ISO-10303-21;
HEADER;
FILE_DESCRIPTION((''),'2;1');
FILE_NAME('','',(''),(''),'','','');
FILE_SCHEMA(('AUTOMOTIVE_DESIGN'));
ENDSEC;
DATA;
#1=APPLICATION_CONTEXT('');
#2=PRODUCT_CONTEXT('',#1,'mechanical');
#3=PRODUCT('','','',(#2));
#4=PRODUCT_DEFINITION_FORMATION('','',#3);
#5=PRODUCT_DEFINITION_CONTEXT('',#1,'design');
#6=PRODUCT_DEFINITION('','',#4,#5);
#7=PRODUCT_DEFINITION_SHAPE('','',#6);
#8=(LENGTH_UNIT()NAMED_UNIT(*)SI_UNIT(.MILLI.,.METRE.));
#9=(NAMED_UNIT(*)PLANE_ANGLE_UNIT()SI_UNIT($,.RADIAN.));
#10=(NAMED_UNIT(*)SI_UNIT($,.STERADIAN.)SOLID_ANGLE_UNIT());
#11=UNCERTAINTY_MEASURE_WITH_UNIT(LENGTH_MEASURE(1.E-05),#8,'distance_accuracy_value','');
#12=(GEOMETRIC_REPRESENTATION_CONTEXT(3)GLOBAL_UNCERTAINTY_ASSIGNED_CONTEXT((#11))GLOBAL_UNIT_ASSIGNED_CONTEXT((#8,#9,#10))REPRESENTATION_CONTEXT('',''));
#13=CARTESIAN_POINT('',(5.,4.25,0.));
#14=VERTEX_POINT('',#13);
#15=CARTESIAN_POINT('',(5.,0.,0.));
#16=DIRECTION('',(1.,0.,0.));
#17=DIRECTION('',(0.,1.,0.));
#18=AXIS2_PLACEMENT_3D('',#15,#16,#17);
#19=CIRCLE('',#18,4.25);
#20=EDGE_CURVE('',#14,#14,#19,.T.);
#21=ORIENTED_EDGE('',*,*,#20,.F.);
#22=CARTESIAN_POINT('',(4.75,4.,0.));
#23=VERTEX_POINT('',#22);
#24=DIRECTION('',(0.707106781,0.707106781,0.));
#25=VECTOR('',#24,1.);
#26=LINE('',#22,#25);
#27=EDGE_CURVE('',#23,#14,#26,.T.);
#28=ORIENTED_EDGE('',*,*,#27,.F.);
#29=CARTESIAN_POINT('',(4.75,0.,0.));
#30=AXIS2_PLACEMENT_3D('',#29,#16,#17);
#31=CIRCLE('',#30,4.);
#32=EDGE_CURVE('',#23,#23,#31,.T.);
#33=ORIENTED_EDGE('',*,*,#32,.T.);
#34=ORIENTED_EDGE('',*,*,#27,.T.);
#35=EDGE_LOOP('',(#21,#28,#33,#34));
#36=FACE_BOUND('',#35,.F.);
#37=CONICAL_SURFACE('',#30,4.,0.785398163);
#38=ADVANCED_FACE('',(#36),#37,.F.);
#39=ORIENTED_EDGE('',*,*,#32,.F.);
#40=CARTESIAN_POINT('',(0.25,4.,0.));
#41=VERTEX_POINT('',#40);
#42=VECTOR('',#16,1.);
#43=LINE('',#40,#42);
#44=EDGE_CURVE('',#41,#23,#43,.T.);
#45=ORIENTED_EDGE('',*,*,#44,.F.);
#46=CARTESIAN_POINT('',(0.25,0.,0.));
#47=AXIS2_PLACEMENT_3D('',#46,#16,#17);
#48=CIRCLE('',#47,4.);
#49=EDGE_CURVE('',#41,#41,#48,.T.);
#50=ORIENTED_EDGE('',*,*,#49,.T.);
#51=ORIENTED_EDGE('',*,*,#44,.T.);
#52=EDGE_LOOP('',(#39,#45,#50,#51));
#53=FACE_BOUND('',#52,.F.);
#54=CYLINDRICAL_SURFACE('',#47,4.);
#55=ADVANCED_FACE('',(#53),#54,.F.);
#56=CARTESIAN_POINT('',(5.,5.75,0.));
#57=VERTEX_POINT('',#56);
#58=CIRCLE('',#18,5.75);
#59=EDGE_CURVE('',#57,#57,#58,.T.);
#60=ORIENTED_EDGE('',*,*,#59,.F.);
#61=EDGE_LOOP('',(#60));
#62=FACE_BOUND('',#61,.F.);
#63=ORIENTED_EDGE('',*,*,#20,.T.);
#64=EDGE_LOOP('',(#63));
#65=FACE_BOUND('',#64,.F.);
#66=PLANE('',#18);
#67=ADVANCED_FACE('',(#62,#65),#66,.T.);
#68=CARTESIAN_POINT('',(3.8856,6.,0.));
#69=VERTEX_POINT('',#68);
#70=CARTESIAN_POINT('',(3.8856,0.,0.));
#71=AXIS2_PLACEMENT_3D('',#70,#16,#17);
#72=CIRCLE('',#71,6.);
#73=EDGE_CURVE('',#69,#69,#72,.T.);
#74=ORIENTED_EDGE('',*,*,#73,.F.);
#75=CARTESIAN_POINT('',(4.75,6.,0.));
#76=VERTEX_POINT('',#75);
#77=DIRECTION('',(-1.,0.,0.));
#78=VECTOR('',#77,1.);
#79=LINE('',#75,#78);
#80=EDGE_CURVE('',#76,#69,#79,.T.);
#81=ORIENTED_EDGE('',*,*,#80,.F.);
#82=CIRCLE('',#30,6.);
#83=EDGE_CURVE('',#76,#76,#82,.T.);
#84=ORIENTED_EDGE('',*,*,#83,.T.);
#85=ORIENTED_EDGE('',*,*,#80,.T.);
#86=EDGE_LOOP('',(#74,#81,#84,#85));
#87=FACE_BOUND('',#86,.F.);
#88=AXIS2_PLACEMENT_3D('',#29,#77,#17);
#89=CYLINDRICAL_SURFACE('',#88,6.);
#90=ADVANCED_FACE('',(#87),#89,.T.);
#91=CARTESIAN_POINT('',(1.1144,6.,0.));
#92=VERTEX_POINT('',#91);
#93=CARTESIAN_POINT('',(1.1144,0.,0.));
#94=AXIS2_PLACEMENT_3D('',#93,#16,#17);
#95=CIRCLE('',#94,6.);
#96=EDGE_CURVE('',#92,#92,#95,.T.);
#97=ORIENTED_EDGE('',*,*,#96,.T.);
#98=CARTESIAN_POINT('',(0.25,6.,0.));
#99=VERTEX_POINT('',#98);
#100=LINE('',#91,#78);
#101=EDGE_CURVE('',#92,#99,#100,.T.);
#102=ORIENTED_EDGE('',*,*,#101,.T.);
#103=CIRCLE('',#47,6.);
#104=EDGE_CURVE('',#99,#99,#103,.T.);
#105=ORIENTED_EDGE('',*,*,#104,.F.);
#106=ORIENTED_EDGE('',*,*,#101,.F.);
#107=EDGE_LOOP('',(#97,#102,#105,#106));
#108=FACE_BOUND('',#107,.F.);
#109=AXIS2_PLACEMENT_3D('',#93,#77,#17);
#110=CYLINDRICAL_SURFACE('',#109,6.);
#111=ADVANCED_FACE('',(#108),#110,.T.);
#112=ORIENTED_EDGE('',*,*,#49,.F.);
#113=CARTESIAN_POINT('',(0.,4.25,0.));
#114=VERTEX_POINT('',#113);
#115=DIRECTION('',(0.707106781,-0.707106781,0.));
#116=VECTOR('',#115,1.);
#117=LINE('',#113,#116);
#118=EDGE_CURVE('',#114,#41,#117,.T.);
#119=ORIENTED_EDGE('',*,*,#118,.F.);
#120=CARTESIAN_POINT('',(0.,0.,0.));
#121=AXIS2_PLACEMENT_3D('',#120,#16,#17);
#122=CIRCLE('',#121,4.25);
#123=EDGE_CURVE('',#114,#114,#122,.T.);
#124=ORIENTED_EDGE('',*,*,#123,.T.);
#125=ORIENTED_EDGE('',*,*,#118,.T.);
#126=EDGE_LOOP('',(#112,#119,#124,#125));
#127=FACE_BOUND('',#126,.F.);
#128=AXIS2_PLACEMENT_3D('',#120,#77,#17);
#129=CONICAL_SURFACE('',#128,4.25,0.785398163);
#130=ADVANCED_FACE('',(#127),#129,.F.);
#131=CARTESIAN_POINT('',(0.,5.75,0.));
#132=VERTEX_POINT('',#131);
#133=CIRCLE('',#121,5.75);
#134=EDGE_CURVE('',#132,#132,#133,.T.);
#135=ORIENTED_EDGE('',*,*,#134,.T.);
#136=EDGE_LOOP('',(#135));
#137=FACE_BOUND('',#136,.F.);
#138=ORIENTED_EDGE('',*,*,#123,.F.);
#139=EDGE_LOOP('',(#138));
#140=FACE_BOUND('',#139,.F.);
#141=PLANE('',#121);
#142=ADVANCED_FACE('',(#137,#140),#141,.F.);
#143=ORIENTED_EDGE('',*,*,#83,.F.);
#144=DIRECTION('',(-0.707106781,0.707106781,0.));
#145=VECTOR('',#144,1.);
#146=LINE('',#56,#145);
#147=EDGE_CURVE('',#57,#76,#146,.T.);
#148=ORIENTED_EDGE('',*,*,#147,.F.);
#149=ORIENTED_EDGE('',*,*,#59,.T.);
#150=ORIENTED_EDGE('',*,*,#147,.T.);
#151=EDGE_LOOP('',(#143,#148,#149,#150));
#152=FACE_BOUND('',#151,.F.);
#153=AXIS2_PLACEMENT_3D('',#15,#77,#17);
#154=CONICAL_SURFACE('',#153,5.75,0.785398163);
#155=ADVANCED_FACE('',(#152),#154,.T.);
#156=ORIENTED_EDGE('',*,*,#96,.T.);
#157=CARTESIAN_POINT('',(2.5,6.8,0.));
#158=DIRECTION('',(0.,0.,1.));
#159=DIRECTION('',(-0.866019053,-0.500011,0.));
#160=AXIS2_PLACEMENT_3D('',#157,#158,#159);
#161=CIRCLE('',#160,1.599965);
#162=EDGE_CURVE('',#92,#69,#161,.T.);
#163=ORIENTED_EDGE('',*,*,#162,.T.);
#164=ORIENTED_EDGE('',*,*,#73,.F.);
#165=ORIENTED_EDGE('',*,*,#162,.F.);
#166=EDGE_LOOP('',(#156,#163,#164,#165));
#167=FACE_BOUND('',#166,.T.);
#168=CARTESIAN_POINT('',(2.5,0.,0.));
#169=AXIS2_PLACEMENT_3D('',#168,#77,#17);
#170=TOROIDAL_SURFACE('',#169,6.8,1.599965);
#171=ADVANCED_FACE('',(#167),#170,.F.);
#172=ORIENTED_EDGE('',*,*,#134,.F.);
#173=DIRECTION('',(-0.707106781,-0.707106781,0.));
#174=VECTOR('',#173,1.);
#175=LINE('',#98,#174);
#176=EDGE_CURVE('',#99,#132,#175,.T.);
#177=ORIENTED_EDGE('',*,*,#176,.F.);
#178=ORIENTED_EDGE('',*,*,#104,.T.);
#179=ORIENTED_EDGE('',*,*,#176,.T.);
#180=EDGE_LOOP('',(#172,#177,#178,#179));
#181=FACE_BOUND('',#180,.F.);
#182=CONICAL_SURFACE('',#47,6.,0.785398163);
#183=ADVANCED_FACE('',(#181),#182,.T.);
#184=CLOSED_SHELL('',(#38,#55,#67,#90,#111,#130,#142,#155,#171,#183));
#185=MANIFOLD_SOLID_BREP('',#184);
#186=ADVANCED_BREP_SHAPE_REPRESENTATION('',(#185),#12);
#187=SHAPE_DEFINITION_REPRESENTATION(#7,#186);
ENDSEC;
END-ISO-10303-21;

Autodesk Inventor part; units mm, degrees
sketch "Sketch_3" plane through (0, 0, 0) normal (0, 0, 1) x (1, 0, 0)
  line L0 (5, 0) -> (0, 0)
  line L1 (0, 4.25) -> (0.25, 4)
  line L2 (0.25, 4) -> (4.75, 4)
  line L3 (4.75, 4) -> (5, 4.25)
  line L4 (5, 4.25) -> (5, 5.75)
  line L5 (5, 5.75) -> (4.75, 6)
  line L6 (4.75, 6) -> (3.8856, 6)
  arc A0 (1.1144, 6) -> (3.8856, 6) centre (2.5, 6.8) ccw
  line L7 (1.1144, 6) -> (0.25, 6)
  line L8 (0.25, 6) -> (0, 5.75)
  line L9 (0, 5.75) -> (0, 4.25)
revolve "Revolution1" add sketch "Sketch_3" angle 360 about axis through (5, 0, 0) along (1, 0, 0)
ref_plane "Dummy_IR_XY" through (0, 0, 0) normal (1, 0, 0) x (0, 0, -1)
ref_plane "Dummy_IR_YZ" through (0, 0, 0) normal (0, 0, -1) x (0, 1, 0)
ref_plane "Dummy_IR_ZX" through (0, 0, 0) normal (0, 1, 0) x (1, 0, 0)
ref_plane "IR_OR_XY" through (0, 0, 0) normal (1, 0, 0) x (0, 0, -1)
ref_plane "IR_OR_YZ" through (0, 0, 0) normal (0, 0, -1) x (0, 1, 0)
ref_plane "IR_OR_ZX" through (0, 0, 0) normal (0, 1, 0) x (1, 0, 0)
properties part number "040102DR-18-H8_ir_CPY"
